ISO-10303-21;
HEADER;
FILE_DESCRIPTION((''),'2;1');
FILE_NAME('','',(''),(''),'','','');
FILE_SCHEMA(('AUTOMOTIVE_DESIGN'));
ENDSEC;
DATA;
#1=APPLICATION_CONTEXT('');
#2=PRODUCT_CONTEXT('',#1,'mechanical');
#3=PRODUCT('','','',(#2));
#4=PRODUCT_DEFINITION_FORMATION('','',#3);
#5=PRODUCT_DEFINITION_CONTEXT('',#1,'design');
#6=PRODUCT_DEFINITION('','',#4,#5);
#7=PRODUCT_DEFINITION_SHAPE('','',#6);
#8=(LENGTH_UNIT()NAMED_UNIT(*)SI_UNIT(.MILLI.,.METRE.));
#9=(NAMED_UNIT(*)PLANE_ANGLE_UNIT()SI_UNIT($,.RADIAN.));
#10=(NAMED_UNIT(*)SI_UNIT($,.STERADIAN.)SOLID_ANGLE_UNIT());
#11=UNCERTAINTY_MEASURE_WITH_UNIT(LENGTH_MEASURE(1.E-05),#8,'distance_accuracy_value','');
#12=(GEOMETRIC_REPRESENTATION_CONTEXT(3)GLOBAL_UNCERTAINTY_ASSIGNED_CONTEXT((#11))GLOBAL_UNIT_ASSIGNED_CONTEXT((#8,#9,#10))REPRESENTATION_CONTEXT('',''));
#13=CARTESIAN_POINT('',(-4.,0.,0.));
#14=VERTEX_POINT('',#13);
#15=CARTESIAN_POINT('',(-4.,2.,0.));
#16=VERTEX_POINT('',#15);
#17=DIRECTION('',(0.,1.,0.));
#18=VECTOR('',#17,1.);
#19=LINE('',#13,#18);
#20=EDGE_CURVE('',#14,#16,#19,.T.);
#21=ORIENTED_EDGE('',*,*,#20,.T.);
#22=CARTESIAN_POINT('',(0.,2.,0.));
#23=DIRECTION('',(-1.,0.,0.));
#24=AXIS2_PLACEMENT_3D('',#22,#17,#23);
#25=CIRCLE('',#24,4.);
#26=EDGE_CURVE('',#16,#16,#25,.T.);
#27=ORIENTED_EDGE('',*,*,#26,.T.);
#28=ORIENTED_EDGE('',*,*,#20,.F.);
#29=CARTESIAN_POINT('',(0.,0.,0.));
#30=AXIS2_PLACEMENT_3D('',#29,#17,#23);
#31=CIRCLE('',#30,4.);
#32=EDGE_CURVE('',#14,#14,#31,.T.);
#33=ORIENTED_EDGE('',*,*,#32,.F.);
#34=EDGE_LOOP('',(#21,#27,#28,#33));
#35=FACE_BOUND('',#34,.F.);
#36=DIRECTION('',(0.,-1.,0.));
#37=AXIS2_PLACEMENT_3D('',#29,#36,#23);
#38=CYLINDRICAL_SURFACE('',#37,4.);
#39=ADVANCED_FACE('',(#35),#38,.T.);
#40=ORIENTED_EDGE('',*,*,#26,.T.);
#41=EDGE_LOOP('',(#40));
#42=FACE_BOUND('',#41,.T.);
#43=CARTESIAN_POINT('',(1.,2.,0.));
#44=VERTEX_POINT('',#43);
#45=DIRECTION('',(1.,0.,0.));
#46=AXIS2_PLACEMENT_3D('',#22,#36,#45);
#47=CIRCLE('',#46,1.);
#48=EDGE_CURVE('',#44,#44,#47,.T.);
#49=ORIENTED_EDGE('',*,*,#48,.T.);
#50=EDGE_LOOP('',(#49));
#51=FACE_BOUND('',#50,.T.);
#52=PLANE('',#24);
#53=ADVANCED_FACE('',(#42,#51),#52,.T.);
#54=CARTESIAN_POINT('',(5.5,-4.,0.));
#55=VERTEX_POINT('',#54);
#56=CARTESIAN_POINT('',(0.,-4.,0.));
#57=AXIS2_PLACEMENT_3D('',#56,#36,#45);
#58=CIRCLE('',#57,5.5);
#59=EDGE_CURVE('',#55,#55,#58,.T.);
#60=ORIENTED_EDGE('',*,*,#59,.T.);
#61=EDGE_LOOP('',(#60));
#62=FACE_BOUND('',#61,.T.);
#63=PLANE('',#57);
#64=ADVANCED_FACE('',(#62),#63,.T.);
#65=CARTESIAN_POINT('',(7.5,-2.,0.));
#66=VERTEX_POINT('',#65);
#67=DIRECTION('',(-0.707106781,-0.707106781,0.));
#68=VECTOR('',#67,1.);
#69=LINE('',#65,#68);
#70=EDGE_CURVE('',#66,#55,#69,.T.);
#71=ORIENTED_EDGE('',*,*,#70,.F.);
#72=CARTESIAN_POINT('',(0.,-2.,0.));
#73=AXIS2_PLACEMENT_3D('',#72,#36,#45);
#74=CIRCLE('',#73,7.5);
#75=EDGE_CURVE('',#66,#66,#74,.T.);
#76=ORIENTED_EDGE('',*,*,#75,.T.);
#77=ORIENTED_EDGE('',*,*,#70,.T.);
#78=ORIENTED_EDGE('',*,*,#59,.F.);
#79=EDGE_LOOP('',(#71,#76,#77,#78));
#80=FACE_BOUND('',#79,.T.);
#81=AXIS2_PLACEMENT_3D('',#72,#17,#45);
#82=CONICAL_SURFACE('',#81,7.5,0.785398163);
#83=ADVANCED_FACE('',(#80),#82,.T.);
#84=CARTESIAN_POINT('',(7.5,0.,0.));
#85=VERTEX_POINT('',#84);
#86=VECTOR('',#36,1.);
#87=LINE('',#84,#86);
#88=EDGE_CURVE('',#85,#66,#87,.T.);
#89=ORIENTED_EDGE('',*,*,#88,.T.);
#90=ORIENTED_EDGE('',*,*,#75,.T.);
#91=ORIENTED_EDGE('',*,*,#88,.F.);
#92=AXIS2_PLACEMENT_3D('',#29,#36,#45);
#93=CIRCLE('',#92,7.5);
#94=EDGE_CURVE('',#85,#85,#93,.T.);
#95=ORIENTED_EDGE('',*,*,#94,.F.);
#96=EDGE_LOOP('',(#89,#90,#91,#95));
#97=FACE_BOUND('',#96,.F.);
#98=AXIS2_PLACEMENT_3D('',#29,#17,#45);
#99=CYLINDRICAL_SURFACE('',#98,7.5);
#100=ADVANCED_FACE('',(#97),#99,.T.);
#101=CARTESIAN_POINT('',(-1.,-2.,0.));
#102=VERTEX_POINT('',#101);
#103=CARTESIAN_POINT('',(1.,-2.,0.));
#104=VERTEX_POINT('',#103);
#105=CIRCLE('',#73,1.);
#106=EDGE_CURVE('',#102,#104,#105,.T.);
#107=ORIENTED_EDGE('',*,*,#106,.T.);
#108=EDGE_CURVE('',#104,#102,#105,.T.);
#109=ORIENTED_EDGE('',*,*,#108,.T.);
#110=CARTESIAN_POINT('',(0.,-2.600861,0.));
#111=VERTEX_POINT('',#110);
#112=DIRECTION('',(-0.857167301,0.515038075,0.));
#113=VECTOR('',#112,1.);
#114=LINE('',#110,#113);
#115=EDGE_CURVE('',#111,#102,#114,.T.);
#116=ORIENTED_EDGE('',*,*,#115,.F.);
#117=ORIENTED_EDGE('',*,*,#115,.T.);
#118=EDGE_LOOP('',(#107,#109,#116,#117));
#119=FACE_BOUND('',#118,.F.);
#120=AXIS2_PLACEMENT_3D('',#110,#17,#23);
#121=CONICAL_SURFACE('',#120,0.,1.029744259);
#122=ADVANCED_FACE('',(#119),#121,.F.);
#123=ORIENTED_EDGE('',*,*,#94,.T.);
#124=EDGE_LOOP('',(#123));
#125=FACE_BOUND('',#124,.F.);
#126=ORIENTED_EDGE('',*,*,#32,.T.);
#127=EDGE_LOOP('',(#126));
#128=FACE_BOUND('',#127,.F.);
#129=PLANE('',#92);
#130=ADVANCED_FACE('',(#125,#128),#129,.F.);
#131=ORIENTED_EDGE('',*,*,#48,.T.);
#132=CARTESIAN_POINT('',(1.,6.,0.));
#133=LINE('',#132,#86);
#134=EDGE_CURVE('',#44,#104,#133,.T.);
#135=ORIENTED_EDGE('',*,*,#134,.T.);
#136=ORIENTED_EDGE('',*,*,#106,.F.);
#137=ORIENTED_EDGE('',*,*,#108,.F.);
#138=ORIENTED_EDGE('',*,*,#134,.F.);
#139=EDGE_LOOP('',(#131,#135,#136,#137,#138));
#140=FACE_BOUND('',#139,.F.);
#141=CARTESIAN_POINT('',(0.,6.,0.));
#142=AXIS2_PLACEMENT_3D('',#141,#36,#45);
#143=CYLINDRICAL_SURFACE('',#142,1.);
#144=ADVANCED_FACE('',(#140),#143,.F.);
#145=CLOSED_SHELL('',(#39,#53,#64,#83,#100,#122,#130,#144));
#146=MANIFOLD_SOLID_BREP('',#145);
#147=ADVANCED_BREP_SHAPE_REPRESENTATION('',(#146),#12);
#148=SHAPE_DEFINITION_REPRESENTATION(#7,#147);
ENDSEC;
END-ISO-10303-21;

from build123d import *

# Parameters (mm, degrees)
F0_R     = 7.5
F1_DEPTH = 4
F2_R     = 4
F3_DEPTH = 2
F5_D     = 2
F5_DEPTH = 4
F5_TIP   = 0.600860619
F6_SIZE  = 2


with BuildPart() as f1:
    # F0 (on Front) → F1 (new body)
    with BuildSketch(Plane.XZ):
        Circle(F0_R)
    extrude(amount=F1_DEPTH)

    # F2 (on face) → F3 (join)
    with BuildSketch(Plane(origin=(0, 0, 0), x_dir=(-1, 0, 0), z_dir=(0, 1, 0))):
        Circle(F2_R)
    extrude(amount=F3_DEPTH)

    # F5
    with Locations(Plane(origin=(0, 2, 0), x_dir=(-1, 0, 0), z_dir=(0, 1, 0))):
        with Locations((0, 0)):
            Hole(F5_D / 2, depth=F5_DEPTH)
            with Locations((0, 0, -(F5_DEPTH + F5_TIP / 2))):  # 118° drill point
                Cone(0, F5_D / 2, F5_TIP, mode=Mode.SUBTRACT)

    # F6
    f6_edges = [f1.edges().sort_by_distance(p)[0] for p in [
        (-7.5, -4, 0),
    ]]
    chamfer(f6_edges, length=F6_SIZE)


solid = f1.part
